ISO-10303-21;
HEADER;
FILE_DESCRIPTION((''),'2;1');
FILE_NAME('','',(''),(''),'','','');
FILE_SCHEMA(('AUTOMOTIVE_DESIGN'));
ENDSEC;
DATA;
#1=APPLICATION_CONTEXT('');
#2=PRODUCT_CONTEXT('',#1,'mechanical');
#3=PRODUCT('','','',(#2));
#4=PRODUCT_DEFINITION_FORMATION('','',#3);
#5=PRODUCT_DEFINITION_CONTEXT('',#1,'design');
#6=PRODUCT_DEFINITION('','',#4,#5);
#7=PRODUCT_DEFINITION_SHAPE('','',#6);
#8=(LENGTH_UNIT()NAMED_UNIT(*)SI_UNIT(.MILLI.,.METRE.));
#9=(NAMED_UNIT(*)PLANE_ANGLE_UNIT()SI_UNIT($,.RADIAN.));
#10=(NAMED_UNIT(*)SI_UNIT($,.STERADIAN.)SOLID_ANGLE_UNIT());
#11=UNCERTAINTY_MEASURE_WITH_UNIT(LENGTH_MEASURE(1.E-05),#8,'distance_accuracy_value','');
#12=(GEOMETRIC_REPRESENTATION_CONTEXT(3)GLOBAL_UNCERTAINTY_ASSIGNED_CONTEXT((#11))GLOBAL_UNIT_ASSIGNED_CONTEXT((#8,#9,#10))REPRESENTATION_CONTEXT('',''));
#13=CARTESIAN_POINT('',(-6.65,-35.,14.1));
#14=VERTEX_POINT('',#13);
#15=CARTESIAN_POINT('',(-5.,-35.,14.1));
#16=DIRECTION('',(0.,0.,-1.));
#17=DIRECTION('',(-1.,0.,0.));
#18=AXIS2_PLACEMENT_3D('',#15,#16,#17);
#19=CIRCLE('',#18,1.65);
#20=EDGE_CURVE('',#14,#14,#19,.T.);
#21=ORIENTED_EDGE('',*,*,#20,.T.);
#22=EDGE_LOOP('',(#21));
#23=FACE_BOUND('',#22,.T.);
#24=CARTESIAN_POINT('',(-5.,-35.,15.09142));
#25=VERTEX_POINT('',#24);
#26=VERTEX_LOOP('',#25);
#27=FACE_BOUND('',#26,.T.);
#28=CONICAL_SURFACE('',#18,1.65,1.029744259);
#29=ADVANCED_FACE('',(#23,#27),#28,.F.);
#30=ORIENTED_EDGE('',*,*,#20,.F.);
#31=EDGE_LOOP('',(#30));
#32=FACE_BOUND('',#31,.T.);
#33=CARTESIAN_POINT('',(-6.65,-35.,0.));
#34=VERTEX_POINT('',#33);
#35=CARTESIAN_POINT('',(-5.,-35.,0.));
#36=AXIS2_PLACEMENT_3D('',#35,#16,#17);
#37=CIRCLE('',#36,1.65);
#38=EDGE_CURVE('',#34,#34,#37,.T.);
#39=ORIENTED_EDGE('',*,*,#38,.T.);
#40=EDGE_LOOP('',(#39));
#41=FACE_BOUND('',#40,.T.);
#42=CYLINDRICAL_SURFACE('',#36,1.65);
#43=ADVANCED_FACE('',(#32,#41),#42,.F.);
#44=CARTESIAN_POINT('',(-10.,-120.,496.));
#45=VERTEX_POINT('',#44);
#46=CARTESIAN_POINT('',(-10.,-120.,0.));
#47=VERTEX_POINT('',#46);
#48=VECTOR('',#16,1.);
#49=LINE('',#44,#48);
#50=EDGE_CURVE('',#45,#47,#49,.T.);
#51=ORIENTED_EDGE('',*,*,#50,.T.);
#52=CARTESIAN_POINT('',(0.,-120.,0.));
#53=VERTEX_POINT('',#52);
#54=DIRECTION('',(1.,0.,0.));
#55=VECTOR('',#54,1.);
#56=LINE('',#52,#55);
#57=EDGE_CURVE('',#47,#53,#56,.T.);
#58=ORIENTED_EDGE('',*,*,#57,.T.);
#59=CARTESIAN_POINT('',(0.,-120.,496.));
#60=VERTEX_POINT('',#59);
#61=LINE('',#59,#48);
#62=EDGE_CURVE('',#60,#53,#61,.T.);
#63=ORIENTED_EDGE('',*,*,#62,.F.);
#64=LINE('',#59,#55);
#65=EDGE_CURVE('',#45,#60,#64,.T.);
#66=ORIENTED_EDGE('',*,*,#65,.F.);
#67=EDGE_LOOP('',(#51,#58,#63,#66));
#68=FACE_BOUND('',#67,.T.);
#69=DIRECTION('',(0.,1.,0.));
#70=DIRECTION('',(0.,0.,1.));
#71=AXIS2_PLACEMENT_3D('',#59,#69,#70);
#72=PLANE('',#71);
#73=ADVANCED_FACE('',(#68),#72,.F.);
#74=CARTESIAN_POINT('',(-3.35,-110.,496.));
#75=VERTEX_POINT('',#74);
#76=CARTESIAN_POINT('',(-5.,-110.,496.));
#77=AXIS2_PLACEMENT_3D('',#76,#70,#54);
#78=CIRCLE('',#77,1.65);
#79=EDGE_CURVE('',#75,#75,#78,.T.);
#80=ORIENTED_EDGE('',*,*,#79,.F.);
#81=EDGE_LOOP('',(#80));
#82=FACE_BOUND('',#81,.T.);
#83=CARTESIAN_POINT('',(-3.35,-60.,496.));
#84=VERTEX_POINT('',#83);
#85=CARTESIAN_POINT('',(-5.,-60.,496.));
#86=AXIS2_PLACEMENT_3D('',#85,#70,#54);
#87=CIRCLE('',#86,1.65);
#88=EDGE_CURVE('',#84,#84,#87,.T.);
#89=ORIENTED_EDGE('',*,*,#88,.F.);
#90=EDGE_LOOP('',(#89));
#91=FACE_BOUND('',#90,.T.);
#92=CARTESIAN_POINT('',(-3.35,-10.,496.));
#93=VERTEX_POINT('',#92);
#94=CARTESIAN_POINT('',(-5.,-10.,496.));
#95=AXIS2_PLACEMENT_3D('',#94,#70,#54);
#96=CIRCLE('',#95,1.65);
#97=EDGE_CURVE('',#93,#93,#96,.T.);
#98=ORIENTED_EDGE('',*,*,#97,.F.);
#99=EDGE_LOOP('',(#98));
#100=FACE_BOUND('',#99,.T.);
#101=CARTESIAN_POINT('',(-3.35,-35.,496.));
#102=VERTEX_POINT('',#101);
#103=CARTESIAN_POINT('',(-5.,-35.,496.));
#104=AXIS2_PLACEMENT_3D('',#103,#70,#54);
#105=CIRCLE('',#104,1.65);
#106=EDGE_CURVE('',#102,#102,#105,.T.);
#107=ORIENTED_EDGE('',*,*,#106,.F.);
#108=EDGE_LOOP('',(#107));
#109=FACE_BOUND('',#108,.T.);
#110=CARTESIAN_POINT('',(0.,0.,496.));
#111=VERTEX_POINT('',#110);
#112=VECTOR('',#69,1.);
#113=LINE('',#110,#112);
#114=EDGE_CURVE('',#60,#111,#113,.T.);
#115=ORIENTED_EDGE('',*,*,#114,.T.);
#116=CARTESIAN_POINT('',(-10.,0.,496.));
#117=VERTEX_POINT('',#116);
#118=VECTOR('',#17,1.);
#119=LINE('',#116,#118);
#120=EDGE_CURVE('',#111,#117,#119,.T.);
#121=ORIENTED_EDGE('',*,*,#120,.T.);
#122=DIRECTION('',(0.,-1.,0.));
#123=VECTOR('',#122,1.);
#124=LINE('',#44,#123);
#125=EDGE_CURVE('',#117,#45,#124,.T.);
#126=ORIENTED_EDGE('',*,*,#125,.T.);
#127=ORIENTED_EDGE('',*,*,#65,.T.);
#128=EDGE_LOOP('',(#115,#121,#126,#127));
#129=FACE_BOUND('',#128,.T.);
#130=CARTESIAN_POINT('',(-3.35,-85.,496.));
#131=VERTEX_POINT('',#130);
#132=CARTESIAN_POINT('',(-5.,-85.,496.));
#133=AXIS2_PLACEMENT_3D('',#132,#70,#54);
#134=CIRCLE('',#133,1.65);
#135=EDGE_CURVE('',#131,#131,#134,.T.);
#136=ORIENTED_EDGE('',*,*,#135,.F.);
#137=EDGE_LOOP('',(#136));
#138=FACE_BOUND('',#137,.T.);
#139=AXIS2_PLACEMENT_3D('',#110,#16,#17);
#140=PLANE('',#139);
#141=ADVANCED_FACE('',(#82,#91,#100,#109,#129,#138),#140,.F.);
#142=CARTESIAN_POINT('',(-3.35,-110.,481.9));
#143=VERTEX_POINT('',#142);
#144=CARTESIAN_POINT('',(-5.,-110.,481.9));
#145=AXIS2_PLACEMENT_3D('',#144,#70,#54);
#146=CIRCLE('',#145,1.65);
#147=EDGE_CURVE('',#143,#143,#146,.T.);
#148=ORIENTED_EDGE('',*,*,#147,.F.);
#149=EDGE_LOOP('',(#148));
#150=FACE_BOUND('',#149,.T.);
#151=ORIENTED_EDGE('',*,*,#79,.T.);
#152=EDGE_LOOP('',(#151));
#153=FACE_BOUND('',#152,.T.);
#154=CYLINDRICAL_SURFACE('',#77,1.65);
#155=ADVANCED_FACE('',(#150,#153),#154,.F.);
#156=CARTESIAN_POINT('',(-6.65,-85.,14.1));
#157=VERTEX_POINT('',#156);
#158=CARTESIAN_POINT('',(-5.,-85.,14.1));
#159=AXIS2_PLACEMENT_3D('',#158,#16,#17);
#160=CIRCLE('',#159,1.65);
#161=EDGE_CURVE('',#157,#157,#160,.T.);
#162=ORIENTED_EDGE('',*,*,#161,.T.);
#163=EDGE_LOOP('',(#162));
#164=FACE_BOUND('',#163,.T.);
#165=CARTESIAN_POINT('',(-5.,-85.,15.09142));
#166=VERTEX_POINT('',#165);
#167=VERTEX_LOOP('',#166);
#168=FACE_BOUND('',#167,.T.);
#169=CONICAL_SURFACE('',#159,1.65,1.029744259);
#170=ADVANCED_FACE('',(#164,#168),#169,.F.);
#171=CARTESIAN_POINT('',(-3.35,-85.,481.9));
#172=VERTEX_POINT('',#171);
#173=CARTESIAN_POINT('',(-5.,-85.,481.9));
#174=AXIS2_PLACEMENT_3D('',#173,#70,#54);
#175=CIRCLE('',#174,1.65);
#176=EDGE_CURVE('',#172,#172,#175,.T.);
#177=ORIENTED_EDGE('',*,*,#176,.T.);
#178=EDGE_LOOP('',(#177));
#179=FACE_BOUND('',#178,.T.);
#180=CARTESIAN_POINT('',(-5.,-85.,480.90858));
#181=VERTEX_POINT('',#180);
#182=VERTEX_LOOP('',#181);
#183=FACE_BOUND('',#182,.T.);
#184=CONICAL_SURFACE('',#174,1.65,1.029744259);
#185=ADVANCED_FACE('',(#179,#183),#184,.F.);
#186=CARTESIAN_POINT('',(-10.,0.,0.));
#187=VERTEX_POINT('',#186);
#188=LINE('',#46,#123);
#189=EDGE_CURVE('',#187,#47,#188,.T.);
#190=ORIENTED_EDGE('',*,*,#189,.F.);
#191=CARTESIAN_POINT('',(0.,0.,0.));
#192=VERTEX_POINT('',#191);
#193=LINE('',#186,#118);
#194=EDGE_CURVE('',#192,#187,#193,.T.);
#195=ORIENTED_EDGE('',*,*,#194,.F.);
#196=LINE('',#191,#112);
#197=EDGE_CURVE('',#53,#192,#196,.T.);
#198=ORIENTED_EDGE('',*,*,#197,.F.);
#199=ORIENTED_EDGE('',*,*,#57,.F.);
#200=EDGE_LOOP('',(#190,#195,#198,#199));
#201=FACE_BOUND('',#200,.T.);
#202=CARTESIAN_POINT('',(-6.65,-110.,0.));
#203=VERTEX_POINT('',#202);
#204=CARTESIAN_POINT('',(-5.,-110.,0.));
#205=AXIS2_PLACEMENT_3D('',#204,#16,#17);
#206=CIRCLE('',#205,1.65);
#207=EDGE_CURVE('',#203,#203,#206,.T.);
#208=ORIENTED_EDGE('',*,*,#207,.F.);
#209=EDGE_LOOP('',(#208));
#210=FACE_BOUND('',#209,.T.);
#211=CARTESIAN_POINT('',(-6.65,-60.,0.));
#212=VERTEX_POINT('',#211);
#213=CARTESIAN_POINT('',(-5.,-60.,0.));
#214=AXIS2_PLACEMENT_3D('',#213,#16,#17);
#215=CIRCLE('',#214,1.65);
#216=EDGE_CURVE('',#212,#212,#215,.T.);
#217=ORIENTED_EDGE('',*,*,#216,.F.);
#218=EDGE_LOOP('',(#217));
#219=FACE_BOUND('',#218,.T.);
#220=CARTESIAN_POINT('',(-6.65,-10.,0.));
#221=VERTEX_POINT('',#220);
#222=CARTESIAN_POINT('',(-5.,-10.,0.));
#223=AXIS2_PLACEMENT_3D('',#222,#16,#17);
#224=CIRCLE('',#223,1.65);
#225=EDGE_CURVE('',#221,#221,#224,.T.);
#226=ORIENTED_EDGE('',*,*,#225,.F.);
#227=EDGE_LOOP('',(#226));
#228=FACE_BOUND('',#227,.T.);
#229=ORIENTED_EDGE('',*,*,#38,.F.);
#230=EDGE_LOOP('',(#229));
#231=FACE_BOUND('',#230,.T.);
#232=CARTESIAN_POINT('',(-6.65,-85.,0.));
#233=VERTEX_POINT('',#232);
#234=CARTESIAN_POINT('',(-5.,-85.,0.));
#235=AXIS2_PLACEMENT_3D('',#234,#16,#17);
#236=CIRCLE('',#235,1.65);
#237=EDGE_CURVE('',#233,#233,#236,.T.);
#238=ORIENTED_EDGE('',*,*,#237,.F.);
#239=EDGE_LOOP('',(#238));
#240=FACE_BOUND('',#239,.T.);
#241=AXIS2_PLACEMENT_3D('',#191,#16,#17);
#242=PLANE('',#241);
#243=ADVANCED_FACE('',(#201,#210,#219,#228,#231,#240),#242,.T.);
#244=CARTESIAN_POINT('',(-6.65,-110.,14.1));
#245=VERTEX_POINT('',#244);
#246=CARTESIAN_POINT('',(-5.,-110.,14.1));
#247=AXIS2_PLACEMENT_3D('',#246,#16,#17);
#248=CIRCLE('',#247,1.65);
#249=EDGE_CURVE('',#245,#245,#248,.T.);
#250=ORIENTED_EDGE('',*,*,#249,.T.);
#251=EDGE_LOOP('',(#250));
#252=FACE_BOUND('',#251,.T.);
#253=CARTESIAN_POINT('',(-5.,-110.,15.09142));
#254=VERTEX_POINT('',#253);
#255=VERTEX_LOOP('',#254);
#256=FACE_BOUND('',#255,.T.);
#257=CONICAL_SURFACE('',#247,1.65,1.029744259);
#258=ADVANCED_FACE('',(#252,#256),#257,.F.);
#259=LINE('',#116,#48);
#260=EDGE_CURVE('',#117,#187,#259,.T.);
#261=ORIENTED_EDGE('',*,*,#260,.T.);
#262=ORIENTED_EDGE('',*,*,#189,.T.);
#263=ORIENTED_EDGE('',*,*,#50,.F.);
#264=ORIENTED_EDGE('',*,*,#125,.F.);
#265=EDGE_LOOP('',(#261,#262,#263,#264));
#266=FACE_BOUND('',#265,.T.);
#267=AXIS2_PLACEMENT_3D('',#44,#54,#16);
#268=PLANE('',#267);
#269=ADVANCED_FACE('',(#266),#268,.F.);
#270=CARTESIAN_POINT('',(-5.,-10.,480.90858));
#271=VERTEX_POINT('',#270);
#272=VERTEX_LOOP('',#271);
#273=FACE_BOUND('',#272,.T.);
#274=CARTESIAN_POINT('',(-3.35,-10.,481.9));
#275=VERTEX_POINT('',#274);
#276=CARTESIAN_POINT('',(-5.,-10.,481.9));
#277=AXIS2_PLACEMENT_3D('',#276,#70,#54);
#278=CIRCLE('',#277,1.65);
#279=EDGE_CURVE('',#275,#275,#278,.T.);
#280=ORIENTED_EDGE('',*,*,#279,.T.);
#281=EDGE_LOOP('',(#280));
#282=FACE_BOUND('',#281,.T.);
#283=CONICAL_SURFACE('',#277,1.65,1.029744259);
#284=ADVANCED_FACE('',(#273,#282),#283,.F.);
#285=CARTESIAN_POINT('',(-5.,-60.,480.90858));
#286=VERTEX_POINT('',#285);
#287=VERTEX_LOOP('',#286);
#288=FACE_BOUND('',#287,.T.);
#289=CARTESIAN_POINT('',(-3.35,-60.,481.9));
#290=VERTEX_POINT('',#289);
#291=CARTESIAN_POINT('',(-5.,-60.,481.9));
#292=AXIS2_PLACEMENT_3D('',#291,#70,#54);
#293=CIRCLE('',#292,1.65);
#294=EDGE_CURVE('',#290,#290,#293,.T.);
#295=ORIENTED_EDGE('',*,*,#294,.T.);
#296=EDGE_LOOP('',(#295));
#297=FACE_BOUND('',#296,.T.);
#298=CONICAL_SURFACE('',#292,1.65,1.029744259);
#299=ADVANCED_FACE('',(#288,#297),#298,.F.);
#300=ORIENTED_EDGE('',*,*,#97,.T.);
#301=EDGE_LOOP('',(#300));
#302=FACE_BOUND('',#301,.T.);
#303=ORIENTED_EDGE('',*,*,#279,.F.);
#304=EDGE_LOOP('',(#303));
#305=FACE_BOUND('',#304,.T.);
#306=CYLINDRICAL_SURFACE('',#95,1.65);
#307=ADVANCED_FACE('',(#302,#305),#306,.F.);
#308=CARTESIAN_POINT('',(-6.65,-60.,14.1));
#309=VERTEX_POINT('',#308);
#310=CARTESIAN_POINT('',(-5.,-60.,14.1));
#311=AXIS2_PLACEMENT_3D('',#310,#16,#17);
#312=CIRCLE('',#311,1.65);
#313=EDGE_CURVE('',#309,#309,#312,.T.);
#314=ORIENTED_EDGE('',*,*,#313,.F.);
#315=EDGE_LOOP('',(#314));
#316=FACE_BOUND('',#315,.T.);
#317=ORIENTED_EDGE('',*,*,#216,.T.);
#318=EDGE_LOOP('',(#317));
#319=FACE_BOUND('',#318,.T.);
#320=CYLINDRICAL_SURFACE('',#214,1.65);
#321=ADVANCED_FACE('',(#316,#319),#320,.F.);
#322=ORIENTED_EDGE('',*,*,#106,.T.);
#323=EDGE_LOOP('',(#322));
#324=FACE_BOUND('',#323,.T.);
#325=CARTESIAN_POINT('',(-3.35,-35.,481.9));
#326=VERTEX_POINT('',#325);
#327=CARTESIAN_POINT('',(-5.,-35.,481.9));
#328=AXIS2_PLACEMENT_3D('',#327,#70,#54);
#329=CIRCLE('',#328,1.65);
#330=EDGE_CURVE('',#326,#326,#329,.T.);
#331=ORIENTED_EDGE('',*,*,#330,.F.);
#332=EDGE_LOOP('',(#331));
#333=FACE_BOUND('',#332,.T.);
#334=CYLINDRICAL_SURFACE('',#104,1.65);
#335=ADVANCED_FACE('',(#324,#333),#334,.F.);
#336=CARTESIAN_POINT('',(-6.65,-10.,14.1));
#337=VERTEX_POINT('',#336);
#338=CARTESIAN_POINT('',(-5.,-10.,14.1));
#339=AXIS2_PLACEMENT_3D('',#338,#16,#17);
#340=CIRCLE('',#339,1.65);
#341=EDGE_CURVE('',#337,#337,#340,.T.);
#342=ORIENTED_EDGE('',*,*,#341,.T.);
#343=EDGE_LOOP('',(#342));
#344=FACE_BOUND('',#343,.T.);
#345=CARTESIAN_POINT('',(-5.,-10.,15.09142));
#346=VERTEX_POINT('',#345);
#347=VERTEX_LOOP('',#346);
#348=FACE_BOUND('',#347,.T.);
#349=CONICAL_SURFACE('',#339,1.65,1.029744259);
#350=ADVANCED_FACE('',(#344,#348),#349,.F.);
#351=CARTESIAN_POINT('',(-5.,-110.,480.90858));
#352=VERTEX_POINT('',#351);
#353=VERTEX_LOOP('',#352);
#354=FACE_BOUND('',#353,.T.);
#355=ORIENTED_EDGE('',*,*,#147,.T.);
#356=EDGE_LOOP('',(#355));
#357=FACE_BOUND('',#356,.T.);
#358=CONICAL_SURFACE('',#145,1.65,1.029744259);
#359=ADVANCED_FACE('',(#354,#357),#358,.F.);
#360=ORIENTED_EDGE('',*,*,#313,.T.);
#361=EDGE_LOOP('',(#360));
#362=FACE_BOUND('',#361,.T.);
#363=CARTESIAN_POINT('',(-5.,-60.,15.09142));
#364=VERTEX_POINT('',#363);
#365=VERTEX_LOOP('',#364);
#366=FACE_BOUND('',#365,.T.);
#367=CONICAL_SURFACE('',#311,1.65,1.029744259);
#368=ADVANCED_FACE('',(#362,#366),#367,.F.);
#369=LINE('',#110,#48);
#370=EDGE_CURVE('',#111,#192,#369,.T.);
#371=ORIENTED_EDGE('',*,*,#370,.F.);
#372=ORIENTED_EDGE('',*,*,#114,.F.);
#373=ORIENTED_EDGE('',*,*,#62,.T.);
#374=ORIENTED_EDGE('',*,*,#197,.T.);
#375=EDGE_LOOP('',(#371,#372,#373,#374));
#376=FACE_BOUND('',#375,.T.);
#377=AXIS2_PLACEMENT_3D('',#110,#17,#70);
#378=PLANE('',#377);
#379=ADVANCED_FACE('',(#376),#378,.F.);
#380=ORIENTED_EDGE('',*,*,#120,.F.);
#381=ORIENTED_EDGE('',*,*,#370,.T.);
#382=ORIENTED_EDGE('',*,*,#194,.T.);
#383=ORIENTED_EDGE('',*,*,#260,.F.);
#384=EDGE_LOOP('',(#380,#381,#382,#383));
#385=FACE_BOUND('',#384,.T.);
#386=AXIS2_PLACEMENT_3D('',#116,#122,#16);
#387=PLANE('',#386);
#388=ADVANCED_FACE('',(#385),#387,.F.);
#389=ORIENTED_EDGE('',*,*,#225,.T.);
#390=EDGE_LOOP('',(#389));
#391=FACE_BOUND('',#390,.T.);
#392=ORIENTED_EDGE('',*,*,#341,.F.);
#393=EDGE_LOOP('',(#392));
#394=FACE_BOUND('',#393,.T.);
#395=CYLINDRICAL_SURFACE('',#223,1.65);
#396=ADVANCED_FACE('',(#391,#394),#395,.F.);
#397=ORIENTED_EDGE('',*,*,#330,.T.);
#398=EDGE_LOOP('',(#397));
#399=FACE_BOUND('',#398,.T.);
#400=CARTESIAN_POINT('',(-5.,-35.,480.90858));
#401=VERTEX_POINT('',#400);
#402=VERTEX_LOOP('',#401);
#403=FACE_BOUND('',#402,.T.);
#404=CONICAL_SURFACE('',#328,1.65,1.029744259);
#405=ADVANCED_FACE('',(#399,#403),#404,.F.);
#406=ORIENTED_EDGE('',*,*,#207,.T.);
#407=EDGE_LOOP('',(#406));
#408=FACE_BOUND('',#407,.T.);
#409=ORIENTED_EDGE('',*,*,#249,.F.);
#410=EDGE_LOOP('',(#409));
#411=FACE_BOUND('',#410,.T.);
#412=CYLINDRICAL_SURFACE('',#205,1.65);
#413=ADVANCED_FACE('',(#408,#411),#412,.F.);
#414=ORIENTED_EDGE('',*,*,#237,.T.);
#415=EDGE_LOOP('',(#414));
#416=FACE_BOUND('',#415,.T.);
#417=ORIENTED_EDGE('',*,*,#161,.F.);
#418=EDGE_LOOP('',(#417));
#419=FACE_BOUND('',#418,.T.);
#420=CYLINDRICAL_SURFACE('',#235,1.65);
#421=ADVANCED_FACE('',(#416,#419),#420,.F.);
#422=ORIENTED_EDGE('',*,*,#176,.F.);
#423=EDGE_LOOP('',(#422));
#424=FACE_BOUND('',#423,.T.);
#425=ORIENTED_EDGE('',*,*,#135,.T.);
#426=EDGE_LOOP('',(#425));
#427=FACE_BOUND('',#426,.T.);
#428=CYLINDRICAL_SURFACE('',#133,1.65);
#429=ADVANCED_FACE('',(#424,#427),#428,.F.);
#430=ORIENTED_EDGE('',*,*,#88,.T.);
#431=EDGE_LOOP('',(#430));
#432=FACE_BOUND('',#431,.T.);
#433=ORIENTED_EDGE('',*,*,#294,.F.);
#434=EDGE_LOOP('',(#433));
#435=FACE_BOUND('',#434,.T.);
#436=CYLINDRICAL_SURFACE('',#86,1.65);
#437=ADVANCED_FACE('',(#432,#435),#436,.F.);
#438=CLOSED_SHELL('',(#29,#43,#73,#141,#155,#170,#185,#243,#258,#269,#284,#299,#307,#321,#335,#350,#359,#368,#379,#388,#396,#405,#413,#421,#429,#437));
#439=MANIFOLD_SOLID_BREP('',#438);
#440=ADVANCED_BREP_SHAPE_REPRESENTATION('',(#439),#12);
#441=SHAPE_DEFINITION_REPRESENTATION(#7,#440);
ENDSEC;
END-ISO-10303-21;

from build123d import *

# Parameters (mm, degrees)
SKETCH2_W             = 10
SKETCH2_H             = 120
BOSS_EXTRUDE1_DEPTH   = 496
M4_TAPPED_HOLE1_D     = 3.3
M4_TAPPED_HOLE1_DEPTH = 14.1
M4_TAPPED_HOLE1_TIP   = 0.991420021
M4_TAPPED_HOLE2_D     = 3.3
M4_TAPPED_HOLE2_DEPTH = 14.1
M4_TAPPED_HOLE2_TIP   = 0.991420021


with BuildPart() as part:
    # Sketch2 → Boss-Extrude1 (new body)
    with BuildSketch(Plane.XY):
        with Locations((-5, -60)):
            Rectangle(SKETCH2_W, SKETCH2_H)
    extrude(amount=BOSS_EXTRUDE1_DEPTH)

    # M4 Tapped Hole1
    with Locations(Plane(origin=(-5, -10, 496), x_dir=(1, 0, 0), z_dir=(0, 0, 1))):
        with Locations((0, 0), (0, -25), (0, -50), (0, -75), (0, -100)):
            Hole(M4_TAPPED_HOLE1_D / 2, depth=M4_TAPPED_HOLE1_DEPTH)
            with Locations((0, 0, -(M4_TAPPED_HOLE1_DEPTH + M4_TAPPED_HOLE1_TIP / 2))):  # 118° drill point
                Cone(0, M4_TAPPED_HOLE1_D / 2, M4_TAPPED_HOLE1_TIP, mode=Mode.SUBTRACT)

    # M4 Tapped Hole2
    with Locations(Plane(origin=(-5, -10, 0), x_dir=(-1, 0, 0), z_dir=(0, 0, -1))):
        with Locations((0, 0), (0, -25), (0, -50), (0, -75), (0, -100)):
            Hole(M4_TAPPED_HOLE2_D / 2, depth=M4_TAPPED_HOLE2_DEPTH)
            with Locations((0, 0, -(M4_TAPPED_HOLE2_DEPTH + M4_TAPPED_HOLE2_TIP / 2))):  # 118° drill point
                Cone(0, M4_TAPPED_HOLE2_D / 2, M4_TAPPED_HOLE2_TIP, mode=Mode.SUBTRACT)


solid = part.part
